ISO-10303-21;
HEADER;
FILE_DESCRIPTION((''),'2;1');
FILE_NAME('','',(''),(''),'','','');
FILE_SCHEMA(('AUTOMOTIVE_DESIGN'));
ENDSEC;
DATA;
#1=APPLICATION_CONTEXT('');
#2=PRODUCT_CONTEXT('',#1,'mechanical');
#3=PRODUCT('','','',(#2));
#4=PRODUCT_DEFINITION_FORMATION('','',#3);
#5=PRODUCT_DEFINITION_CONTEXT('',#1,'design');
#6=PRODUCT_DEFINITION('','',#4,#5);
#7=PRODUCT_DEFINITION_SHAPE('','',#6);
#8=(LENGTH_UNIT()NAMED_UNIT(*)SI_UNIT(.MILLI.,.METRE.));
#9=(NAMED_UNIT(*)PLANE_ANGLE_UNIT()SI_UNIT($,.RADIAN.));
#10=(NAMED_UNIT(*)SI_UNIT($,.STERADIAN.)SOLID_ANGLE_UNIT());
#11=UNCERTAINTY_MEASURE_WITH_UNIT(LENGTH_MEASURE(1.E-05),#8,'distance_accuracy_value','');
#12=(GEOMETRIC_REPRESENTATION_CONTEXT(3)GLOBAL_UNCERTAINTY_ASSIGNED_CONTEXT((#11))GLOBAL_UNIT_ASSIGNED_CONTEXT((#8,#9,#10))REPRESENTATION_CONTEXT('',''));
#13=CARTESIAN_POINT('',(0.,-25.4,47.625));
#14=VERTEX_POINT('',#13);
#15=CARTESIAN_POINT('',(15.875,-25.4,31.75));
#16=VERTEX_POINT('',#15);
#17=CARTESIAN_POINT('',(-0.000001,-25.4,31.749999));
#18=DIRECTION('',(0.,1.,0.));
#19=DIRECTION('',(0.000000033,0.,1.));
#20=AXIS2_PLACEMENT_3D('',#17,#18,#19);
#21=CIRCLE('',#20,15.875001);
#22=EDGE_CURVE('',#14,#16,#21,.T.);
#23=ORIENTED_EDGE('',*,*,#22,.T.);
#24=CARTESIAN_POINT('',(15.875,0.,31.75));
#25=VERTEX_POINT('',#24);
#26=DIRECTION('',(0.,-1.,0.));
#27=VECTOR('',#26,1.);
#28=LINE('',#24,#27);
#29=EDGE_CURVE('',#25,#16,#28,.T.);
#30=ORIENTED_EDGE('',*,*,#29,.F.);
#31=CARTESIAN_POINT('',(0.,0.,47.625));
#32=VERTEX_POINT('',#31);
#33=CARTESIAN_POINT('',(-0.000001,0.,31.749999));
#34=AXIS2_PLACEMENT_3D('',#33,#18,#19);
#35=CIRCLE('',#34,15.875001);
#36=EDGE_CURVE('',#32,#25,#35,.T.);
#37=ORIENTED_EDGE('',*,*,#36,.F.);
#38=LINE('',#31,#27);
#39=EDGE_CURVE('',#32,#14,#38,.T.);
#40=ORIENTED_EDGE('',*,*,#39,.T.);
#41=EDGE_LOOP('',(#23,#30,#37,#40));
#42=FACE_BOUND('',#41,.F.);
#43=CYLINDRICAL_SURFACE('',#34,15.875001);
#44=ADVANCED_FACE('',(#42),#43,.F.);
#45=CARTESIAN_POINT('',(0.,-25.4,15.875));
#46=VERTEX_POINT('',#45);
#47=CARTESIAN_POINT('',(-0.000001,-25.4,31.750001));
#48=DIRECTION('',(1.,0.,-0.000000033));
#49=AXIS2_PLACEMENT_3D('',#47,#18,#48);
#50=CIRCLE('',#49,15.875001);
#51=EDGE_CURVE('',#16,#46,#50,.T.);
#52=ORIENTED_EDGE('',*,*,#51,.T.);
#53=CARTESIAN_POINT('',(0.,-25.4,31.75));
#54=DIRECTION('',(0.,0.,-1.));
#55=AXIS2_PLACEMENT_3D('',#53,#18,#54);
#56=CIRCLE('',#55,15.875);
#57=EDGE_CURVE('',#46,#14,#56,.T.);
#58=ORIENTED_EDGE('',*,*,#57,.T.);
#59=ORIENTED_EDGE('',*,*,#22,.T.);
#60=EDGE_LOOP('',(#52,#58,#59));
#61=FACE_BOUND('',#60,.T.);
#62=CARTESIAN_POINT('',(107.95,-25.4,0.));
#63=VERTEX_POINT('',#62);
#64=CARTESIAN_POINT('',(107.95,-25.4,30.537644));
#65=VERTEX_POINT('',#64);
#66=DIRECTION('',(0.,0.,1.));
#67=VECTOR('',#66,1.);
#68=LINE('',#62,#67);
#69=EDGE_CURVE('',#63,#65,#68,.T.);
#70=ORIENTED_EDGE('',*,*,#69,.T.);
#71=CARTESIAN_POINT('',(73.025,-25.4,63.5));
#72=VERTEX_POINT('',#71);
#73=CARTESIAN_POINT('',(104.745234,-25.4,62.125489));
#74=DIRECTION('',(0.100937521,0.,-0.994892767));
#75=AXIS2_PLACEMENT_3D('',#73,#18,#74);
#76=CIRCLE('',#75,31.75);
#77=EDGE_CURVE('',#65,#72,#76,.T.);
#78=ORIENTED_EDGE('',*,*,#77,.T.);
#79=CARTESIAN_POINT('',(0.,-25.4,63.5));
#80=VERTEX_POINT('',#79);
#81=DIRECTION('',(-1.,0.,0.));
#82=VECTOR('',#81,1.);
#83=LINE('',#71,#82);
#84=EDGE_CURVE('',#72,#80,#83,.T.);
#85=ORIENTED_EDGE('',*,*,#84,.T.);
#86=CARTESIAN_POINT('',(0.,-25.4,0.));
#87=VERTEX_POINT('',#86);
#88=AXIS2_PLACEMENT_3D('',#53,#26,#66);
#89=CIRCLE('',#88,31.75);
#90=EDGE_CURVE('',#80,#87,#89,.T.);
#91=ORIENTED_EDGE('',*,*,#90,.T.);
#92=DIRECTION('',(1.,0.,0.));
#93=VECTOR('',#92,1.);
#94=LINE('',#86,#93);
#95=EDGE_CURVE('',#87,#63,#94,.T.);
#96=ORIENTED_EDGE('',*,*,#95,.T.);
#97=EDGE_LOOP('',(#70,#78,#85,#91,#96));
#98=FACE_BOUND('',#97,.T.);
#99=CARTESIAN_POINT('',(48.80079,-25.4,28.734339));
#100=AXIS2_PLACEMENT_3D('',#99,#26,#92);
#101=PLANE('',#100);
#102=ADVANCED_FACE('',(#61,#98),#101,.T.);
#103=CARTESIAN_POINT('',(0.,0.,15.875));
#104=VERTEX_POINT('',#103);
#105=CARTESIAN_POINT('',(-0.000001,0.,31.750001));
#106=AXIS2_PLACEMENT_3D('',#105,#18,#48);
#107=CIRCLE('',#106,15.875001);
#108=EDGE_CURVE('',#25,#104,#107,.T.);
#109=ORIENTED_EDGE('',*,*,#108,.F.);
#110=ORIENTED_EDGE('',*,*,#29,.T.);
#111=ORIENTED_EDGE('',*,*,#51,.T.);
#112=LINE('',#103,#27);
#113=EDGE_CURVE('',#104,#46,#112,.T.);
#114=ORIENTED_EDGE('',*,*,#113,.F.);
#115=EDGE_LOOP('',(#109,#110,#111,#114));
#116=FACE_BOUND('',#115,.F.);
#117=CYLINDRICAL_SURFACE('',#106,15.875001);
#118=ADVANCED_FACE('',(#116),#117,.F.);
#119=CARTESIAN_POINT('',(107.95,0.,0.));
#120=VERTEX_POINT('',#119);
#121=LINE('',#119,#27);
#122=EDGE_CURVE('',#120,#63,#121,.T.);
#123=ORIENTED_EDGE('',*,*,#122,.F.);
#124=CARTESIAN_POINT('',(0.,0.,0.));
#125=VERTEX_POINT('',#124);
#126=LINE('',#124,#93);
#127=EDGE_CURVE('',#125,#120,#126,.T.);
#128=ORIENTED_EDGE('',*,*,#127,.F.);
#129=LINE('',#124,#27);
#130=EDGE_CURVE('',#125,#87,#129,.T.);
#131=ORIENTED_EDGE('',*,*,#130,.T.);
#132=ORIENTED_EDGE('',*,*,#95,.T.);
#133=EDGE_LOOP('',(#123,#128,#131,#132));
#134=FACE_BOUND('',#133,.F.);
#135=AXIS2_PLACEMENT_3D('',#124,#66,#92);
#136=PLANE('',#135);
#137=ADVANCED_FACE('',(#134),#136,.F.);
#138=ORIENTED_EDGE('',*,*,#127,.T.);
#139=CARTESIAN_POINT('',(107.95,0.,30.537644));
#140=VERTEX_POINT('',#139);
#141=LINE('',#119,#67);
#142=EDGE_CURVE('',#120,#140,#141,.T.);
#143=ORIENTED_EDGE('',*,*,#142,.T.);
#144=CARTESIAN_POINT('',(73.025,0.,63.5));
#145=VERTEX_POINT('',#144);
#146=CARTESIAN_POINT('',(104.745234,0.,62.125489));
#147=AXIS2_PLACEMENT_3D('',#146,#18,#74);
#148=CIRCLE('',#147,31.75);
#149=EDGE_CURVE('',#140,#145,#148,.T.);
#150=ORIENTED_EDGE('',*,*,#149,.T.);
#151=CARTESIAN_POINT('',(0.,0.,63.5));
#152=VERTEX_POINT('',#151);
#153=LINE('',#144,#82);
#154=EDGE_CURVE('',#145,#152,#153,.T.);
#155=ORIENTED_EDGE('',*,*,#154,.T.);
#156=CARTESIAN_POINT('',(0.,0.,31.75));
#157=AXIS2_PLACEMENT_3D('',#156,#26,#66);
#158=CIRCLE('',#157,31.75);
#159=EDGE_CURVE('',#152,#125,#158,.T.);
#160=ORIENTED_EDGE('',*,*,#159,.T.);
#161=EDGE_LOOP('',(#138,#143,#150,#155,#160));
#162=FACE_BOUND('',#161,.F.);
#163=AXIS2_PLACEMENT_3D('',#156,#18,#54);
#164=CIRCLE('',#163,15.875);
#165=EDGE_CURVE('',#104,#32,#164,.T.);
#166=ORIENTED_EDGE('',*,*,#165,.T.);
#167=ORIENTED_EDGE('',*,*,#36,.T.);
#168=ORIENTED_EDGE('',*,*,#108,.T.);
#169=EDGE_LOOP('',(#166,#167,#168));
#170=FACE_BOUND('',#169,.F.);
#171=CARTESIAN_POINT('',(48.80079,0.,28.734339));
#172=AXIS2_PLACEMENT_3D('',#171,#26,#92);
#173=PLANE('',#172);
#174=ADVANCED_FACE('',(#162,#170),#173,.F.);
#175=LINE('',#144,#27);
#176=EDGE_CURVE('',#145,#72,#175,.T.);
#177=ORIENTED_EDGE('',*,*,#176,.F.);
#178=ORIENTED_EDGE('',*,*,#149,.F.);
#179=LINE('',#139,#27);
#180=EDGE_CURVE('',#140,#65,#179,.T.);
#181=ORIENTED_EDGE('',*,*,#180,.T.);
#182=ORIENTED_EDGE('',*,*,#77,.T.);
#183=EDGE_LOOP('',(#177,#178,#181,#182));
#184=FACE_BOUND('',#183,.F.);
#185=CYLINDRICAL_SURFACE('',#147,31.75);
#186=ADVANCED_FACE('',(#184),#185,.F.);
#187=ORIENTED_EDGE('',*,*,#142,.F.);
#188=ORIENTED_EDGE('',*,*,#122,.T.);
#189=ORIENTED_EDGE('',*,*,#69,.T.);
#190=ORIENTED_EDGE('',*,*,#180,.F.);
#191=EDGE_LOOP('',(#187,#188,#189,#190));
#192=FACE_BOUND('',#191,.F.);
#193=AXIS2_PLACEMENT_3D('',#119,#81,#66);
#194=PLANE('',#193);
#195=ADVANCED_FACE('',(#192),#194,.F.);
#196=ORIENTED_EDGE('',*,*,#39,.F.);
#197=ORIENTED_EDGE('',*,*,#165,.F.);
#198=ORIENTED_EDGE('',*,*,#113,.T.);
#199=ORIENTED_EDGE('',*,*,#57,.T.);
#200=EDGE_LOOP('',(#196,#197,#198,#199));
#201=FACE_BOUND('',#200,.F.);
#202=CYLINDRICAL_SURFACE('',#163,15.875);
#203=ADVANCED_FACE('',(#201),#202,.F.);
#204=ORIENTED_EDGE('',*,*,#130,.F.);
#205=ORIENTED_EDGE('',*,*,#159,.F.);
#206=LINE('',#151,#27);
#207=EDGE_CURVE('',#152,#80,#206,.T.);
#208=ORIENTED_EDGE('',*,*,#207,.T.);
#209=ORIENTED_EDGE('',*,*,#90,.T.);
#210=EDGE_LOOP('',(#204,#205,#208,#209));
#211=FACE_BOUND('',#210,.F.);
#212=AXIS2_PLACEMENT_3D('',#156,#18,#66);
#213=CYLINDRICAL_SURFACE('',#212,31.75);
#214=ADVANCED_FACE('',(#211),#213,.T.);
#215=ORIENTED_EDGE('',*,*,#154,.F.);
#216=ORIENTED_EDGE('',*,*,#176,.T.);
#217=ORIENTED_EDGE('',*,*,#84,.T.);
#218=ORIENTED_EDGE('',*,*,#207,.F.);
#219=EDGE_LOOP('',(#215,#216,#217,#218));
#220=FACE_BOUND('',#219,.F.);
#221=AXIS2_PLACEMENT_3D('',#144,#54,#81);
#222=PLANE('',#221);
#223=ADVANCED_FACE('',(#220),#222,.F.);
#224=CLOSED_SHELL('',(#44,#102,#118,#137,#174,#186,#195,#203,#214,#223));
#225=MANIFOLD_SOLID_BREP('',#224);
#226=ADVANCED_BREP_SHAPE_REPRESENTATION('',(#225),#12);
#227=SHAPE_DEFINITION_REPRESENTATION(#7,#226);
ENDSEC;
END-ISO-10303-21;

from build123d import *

# Parameters (mm, degrees)
F1_DEPTH = 25.4


with BuildPart() as f1:
    # F0 (on Front) → F1 (new body)
    with BuildSketch(Plane.XZ):
        with BuildLine():
            Line((0, 15.875), (0, 0))
            Line((0, 0), (107.95, 0))
            Line((107.95, 0), (107.95, 30.537644))
            ThreePointArc((107.95, 30.537644), (82.952753, 39.035442), (73.025, 63.5))
            Line((73.025, 63.5), (0, 63.5))
            Line((0, 63.5), (0, 47.625))
            ThreePointArc((0, 47.625), (11.22532, 42.97532), (15.875, 31.75))
            ThreePointArc((15.875, 31.75), (11.22532, 20.52468), (0, 15.875))
        make_face()
        with BuildLine():
            ThreePointArc((0, 63.5), (-31.75, 31.75), (0, 0))
            Line((0, 0), (0, 15.875))
            ThreePointArc((0, 15.875), (-15.875, 31.75), (0, 47.625))
            Line((0, 47.625), (0, 63.5))
        make_face()
    extrude(amount=F1_DEPTH)


solid = f1.part
